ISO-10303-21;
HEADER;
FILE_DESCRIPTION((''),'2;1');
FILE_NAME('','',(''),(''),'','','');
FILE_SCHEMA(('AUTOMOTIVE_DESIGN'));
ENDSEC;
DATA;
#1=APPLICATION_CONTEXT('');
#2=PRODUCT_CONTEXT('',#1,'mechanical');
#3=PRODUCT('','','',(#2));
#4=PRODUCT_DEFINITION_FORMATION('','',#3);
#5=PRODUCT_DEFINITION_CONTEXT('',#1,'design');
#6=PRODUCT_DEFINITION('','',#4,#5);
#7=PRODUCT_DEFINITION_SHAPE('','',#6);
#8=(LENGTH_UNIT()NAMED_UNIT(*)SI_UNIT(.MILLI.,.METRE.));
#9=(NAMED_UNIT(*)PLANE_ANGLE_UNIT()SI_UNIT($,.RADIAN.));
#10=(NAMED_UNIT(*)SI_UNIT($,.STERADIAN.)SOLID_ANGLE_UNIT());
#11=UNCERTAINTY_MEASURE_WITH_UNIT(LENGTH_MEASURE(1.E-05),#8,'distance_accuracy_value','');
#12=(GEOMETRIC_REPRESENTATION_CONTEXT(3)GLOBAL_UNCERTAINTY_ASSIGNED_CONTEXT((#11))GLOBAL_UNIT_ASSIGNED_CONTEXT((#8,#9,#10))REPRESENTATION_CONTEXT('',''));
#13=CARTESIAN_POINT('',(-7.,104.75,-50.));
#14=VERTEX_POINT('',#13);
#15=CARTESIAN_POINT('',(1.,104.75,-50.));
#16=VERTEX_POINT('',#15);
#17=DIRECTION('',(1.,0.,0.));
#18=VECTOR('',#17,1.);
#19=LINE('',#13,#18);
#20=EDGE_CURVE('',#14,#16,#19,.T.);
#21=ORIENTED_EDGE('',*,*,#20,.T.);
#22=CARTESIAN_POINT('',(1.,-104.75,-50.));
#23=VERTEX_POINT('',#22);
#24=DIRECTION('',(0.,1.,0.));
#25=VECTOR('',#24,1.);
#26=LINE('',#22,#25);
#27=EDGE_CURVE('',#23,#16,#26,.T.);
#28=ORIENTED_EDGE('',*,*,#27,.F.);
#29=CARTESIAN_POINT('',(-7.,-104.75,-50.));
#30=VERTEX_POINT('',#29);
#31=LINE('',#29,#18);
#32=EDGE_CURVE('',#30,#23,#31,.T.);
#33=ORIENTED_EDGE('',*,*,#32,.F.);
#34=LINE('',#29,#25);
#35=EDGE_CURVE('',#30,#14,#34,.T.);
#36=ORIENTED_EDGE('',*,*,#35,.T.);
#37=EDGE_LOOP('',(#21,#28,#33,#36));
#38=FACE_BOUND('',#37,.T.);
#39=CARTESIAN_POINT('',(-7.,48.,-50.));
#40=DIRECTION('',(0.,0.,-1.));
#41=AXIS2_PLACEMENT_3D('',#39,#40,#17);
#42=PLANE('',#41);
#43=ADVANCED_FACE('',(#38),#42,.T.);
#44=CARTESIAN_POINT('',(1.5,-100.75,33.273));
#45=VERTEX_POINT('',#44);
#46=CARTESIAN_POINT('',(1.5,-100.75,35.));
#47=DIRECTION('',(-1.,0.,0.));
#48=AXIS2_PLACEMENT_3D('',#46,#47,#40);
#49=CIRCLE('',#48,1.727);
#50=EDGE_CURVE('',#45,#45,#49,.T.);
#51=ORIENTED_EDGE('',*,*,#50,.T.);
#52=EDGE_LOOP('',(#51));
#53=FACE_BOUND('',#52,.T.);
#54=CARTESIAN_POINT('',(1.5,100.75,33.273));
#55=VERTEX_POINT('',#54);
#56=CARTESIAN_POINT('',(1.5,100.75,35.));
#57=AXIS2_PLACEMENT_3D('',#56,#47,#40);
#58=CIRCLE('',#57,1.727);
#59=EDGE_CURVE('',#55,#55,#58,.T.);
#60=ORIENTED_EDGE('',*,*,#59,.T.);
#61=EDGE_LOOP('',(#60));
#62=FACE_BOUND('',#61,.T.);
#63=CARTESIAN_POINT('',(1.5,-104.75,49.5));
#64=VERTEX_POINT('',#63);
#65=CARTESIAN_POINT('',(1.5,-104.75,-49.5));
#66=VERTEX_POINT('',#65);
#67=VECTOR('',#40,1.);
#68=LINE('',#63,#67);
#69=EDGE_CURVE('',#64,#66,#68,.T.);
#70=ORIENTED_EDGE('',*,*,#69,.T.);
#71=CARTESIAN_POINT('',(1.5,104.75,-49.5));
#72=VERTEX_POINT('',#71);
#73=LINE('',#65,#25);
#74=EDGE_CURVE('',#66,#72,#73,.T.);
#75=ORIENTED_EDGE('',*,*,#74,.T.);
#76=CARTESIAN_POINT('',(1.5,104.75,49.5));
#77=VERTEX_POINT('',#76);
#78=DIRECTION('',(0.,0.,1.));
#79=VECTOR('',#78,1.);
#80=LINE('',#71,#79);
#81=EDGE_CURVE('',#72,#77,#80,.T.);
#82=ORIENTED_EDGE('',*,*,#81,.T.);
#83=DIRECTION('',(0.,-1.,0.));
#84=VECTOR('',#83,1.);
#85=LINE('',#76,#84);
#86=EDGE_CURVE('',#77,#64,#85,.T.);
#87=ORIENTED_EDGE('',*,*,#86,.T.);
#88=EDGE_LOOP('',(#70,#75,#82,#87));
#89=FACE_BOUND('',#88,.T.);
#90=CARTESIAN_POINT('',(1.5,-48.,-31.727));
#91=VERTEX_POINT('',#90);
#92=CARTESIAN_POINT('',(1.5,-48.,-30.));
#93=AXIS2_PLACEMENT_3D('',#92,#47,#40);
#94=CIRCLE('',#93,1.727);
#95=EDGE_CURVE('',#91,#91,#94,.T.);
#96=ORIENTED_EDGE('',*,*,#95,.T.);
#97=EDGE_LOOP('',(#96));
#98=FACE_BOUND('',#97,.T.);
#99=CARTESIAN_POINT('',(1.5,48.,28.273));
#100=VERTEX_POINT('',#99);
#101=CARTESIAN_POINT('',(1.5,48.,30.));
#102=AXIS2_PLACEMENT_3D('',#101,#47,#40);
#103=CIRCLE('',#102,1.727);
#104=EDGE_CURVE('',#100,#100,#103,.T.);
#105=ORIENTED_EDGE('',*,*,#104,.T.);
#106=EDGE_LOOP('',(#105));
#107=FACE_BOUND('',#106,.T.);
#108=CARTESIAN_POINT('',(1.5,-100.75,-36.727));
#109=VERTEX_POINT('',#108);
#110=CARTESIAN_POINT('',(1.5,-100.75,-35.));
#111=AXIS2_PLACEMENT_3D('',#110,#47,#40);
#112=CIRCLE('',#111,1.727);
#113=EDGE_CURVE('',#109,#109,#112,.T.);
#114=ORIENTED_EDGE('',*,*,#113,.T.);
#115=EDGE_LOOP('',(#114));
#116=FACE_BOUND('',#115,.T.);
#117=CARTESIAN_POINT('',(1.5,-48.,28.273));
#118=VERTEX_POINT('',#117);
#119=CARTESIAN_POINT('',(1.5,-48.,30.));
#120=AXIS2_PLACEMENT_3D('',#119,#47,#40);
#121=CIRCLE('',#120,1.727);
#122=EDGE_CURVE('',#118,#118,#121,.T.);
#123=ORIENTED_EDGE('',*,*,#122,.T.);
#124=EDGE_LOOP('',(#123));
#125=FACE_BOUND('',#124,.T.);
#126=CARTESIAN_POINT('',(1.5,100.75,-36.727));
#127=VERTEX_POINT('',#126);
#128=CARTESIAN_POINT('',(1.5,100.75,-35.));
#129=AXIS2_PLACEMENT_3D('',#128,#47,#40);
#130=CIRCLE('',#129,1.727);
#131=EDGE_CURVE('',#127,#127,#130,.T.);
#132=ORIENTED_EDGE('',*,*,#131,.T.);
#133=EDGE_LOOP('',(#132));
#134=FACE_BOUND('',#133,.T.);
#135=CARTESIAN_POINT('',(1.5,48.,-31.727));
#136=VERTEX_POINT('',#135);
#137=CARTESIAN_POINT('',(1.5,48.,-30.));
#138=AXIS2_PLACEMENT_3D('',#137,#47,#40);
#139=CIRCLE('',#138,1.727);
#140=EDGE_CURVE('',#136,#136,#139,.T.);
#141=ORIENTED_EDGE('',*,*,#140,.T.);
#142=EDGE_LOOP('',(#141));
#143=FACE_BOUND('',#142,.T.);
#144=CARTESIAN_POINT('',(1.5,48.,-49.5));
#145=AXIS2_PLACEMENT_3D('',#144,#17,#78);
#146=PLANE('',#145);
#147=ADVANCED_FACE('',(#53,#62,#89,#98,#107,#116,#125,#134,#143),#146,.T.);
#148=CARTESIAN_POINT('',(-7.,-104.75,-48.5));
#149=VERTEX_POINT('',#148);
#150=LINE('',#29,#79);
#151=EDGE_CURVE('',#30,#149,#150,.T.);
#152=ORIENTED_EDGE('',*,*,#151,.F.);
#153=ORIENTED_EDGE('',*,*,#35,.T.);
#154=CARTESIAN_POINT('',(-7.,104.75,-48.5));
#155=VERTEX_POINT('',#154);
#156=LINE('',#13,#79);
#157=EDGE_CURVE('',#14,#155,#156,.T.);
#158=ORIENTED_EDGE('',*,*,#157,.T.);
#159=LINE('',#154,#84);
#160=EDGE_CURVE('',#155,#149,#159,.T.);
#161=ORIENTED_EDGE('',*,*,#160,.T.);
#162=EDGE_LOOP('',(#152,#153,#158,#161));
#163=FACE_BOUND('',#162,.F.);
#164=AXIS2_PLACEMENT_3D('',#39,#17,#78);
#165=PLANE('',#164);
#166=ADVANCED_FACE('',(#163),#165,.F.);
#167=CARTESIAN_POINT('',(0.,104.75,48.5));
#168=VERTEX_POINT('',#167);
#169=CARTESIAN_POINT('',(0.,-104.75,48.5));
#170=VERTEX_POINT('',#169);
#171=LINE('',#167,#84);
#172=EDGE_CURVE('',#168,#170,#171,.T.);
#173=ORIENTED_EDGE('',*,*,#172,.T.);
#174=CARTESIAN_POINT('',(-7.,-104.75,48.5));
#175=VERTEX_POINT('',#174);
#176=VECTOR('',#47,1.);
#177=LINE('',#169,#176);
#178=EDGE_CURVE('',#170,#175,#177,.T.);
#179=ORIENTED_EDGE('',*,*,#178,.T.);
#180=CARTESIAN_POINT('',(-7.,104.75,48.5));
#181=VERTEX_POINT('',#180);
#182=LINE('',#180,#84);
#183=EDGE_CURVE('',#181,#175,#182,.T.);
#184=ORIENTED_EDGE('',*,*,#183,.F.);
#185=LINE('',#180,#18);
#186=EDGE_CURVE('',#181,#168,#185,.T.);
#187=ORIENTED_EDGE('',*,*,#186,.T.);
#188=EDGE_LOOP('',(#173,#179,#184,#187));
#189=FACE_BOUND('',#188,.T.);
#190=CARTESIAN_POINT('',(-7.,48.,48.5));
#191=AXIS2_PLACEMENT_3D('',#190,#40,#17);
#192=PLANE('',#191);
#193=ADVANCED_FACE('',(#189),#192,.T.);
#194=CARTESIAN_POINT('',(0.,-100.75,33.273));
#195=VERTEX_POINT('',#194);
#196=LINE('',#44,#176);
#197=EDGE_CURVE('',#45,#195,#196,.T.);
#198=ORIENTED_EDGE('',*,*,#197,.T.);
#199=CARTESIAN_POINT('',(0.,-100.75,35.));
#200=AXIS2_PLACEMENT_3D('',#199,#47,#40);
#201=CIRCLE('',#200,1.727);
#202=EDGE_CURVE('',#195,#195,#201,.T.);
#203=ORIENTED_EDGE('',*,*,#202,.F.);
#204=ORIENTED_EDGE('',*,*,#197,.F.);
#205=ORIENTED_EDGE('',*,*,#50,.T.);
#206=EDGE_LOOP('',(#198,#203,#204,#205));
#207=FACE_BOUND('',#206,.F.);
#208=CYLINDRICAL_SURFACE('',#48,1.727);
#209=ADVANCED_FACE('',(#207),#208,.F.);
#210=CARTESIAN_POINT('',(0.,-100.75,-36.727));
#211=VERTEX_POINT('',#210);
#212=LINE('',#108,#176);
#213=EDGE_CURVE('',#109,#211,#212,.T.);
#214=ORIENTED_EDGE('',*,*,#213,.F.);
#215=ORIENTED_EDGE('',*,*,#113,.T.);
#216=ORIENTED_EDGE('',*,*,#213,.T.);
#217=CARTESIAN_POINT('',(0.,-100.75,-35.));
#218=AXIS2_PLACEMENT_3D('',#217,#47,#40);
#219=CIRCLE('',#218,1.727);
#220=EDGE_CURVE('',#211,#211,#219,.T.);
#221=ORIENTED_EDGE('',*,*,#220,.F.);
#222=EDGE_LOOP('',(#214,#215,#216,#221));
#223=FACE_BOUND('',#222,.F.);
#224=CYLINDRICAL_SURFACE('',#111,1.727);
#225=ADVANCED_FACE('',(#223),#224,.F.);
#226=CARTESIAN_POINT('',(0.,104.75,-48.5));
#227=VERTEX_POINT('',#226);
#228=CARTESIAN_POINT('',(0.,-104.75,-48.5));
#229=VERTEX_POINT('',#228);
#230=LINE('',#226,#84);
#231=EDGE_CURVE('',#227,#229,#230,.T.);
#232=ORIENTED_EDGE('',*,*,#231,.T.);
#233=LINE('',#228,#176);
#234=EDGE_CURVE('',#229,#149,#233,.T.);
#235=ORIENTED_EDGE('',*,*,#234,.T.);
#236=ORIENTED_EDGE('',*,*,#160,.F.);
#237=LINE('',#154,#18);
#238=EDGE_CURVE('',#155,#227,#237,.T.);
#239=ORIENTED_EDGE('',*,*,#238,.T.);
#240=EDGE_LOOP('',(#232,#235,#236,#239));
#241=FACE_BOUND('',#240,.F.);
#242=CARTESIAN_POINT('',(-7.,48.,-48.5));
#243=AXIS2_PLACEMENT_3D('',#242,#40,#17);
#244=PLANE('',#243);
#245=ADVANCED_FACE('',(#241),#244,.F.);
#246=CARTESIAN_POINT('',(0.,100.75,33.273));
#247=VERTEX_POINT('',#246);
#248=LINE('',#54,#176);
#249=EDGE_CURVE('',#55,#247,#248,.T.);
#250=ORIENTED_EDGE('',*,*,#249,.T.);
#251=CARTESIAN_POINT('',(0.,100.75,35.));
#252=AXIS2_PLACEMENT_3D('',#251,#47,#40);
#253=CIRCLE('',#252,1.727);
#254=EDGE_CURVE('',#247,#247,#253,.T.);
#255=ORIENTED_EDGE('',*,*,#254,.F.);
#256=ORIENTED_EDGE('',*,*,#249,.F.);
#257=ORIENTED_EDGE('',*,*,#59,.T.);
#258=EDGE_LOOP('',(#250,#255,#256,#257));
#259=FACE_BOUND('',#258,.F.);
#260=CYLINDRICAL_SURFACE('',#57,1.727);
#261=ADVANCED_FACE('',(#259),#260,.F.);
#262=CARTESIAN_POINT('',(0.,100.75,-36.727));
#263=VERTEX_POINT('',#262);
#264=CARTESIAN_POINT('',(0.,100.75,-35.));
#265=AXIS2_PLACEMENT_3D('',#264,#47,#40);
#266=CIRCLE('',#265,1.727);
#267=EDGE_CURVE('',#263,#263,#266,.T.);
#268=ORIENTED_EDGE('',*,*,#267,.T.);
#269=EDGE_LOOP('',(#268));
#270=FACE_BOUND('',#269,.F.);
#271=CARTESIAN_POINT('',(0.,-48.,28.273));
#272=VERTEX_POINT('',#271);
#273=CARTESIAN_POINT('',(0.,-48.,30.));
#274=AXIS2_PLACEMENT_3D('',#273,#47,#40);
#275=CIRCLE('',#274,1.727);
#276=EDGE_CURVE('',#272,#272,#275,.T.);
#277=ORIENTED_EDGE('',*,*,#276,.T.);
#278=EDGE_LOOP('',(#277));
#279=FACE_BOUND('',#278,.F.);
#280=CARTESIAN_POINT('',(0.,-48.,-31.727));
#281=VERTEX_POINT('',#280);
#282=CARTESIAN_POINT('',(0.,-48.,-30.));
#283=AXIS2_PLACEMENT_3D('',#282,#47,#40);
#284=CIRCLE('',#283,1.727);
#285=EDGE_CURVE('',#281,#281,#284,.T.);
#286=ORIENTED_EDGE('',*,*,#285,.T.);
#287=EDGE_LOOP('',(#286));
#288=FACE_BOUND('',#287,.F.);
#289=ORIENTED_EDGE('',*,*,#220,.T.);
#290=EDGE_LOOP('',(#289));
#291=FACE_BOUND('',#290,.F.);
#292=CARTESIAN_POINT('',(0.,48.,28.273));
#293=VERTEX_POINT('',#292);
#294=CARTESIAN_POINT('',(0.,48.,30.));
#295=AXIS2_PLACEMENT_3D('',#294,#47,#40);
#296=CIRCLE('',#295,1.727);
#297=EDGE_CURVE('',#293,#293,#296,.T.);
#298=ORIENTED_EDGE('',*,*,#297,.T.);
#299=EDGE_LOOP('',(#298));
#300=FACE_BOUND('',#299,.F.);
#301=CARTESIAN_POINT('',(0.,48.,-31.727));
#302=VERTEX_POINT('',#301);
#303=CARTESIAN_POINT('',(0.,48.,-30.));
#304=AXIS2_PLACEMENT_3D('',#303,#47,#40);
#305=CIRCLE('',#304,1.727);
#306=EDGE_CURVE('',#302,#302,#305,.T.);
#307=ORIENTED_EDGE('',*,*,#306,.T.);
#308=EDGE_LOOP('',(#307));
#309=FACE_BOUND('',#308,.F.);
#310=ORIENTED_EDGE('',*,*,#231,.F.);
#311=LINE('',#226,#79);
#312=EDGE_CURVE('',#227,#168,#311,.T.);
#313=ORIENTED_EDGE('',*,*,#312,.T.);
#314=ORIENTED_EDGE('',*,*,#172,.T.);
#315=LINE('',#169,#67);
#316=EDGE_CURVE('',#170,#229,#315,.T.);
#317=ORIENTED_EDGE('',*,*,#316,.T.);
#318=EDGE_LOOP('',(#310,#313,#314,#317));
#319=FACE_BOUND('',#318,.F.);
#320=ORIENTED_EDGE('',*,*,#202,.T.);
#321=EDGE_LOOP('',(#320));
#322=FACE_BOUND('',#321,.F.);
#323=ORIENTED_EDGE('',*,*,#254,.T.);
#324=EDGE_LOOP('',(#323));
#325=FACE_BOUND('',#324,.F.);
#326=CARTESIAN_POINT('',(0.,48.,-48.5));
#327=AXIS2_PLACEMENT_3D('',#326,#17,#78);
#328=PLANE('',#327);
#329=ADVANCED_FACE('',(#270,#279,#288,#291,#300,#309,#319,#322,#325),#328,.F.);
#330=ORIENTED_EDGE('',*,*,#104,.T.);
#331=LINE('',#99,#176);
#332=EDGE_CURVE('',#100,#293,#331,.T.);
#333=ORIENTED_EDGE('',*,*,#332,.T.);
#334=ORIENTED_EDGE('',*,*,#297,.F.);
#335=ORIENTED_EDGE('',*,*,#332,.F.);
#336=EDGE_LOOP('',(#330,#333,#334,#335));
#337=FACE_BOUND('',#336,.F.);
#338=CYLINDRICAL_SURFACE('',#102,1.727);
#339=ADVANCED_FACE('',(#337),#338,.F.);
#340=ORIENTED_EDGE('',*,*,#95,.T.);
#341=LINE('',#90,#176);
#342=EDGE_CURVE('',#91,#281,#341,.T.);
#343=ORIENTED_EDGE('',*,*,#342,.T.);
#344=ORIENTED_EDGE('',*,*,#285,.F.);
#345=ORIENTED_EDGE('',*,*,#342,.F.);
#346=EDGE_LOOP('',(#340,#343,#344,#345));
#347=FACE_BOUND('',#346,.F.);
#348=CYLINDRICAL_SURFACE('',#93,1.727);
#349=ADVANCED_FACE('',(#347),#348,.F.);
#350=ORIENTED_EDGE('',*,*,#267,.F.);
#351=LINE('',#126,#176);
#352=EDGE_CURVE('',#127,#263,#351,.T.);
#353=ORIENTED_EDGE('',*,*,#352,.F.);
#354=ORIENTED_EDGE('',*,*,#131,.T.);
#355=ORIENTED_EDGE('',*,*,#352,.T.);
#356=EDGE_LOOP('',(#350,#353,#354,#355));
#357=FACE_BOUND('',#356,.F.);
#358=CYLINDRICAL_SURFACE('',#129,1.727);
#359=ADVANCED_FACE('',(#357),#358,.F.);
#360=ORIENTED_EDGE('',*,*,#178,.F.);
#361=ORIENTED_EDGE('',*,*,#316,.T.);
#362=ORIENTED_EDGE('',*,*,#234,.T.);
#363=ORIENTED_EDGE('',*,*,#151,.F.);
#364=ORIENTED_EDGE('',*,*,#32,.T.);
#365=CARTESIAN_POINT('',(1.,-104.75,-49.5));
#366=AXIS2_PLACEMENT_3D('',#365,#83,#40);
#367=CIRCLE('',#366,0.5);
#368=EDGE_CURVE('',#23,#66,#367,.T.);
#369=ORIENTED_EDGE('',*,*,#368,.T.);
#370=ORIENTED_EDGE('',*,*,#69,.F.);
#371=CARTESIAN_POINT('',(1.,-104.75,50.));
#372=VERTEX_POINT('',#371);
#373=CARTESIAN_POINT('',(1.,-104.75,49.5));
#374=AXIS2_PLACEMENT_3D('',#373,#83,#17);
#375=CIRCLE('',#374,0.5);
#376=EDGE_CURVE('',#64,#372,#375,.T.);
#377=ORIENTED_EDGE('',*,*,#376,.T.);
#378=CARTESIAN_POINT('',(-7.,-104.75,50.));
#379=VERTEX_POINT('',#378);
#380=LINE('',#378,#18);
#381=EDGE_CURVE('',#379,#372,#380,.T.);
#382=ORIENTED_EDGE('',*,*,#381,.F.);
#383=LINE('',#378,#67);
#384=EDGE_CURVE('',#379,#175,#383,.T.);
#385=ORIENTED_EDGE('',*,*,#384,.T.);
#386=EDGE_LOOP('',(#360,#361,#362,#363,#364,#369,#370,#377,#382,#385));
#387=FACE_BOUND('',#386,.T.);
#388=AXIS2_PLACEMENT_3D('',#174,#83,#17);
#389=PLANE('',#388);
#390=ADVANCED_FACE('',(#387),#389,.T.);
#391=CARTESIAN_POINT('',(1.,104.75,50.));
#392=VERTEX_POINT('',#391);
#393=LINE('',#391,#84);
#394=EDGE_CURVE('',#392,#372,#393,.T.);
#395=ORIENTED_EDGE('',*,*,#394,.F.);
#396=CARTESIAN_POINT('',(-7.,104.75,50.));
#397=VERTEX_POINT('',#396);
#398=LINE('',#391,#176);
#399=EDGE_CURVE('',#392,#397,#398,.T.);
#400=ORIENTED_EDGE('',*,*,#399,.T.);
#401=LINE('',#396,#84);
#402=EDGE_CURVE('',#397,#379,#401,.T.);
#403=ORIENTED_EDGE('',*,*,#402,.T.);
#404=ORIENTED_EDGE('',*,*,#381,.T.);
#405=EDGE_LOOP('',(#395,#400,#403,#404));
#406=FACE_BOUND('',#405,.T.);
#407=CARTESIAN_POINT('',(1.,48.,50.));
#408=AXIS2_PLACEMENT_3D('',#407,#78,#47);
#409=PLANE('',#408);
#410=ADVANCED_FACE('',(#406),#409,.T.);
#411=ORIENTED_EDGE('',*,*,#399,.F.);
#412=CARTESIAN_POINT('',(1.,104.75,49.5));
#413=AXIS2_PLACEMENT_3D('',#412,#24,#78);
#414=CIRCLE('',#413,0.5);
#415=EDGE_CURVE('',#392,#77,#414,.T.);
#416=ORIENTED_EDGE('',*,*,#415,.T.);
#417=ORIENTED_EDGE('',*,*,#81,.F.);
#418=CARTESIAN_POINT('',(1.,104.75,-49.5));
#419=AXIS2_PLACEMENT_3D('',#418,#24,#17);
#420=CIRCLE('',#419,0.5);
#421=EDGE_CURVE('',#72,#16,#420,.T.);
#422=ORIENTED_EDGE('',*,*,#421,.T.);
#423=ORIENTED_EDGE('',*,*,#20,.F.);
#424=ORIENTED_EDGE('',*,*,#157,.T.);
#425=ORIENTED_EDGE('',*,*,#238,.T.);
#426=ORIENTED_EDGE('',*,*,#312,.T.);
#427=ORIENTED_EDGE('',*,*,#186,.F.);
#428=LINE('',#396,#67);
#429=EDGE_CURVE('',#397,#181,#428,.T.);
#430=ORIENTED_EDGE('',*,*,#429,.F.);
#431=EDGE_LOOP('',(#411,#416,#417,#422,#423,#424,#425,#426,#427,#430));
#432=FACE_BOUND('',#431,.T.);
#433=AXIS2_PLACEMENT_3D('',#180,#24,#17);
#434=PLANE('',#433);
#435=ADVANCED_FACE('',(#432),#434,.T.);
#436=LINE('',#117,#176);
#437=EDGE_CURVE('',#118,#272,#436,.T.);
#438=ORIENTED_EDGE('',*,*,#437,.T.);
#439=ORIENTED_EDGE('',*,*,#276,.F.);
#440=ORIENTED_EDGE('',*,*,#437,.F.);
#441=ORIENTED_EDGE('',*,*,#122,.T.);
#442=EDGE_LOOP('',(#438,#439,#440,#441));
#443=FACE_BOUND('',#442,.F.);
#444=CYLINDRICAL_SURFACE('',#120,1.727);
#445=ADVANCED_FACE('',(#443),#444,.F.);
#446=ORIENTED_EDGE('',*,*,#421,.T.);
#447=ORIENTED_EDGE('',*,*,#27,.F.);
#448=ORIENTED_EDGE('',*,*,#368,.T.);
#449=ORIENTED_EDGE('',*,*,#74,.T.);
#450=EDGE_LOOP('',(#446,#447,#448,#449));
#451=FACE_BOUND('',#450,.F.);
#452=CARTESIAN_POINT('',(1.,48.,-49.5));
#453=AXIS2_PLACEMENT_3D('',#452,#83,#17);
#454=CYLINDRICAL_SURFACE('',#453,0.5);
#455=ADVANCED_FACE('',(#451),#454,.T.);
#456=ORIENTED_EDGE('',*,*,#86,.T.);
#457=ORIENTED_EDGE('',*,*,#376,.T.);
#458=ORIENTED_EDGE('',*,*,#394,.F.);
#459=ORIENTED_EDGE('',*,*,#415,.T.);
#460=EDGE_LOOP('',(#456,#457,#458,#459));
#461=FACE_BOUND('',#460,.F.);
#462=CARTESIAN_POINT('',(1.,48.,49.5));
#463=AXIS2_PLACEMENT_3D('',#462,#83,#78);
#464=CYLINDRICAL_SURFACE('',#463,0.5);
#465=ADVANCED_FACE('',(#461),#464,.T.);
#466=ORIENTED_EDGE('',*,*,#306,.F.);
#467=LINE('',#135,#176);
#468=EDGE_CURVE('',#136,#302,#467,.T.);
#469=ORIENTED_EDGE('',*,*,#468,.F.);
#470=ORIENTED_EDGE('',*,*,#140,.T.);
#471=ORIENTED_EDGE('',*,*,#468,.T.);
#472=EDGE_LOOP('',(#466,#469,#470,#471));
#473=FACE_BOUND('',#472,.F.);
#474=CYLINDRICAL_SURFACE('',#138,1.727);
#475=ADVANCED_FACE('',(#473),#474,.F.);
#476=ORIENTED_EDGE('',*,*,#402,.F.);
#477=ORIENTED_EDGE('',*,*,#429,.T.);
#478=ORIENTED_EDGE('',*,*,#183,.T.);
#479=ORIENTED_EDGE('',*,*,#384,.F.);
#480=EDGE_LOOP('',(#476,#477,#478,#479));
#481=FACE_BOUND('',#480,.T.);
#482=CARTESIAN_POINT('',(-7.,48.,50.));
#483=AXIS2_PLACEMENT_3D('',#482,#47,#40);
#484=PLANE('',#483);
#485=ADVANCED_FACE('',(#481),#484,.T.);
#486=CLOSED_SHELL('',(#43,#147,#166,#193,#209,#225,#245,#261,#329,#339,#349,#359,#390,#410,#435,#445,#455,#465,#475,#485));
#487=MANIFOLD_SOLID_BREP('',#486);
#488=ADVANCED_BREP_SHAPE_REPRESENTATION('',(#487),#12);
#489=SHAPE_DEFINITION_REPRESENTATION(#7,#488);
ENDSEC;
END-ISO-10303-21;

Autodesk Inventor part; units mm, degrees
ref_plane "YZ Plane" through (0, 0, 0) normal (1, 0, 0) x (0, 1, 0)
ref_plane "XZ Plane" through (0, 0, 0) normal (0, 1, 0) x (-1, 0, 0)
ref_plane "XY Plane" through (0, 0, 0) normal (0, 0, 1) x (1, 0, 0)
sketch "Sketch1" plane through (0, 0, 0) normal (1, 0, 0) x (0, 1, 0)
  line L0 (48, 50) -> (-48, 50)
  line L1 (-48, 50) -> (-48, -50)
  line L2 (-48, -50) -> (48, -50)
  line L3 (48, -50) -> (48, 50)
  point P0 (0, 0)
  dimension "d0" = 96
  dimension "d1" = 100
  dimension "d2" = 50
  dimension "d3" = 48
extrude "Extrusion1" add sketch "Sketch1" along normal blind 1.5
sketch "Sketch2" plane through (0, -48, 50) normal (0, 0, 1) x (1, 0, 0)
  line L0 (0, 96) -> (1.5, 96) projected
  line L1 (1.5, 96) -> (-7, 96)
  line L2 (-7, 96) -> (-7, 0)
  line L3 (-7, 0) -> (1.5, 0)
  line L4 (1.5, 0) -> (1.5, 96)
  point P0 (0, 48)
  dimension "d6" = 8.5
  dimension "d7" = 96
extrude "Extrusion2" add sketch "Sketch2" against normal blind 1.5
mirror "Mirror1" about plane through (0, 0, 0) normal (0, 0, 1) of "Extrusion2"
fillet "Fillet1" radius 0.5 2 edges at (1.5, 0, 50) (1.5, 0, -50)
sketch "Sketch9" plane through (-7, -48, 48.5) normal (0, -1, 0) x (1, 0, 0)
  arc A0 (8, -98.5) -> (8.5, -98) centre (8, -98) ccw projected
  line L0 (8.5, 1) -> (8.5, -98) projected
  arc A1 (8.5, 1) -> (8, 1.5) centre (8, 1) ccw projected
  line L1 (0, 1.5) -> (8, 1.5) projected
  line L2 (0, 1.5) -> (0, 0) projected
  line L3 (7, 0) -> (0, 0) projected
  line L4 (7, 0) -> (7, -97) projected
  line L5 (7, -97) -> (0, -97) projected
  line L6 (0, -98.5) -> (0, -97) projected
  line L7 (0, -98.5) -> (8, -98.5) projected
  point P0 (7, -48.5)
extrude "Extrusion6" add sketch "Sketch9" along normal blind 56.75
sketch "Sketch10" plane through (-7, 48, 48.5) normal (0, 1, 0) x (1, 0, 0)
  arc A0 (8.5, 98) -> (8, 98.5) centre (8, 98) ccw projected
  line L0 (0, 98.5) -> (8, 98.5) projected
  line L1 (0, 98.5) -> (0, 97) projected
  line L2 (0, 97) -> (7, 97) projected
  line L3 (7, 97) -> (7, 0) projected
  line L4 (0, 0) -> (7, 0) projected
  line L5 (0, -1.5) -> (0, 0) projected
  line L6 (8, -1.5) -> (0, -1.5) projected
  arc A1 (8, -1.5) -> (8.5, -1) centre (8, -1) ccw projected
  line L7 (8.5, 98) -> (8.5, -1) projected
  point P0 (7, 48.5)
extrude "Extrusion7" add sketch "Sketch10" along normal blind 56.75
sketch "Sketch11" plane through (1.5, 0, 0) normal (1, 0, 0) x (0, 0, -1)
  circle A0 centre (35, -100.75) radius 3 projected
  circle A1 centre (-35, -100.75) radius 3 projected
  circle A2 centre (-30, -48) radius 3 projected
  circle A3 centre (30, -48) radius 3 projected
  circle A4 centre (30, 48) radius 3 projected
  circle A5 centre (-30, 48) radius 3 projected
  circle A6 centre (35, 100.75) radius 3 projected
  circle A7 centre (-35, 100.75) radius 3 projected
  point P0 (0, 0)
hole "Hole5" at (1.5, -100.75, -35) at (1.5, -100.75, 35) at (1.5, -48, 30) at (1.5, -48, -30) at (1.5, 48, 30) at (1.5, 48, -30) at (1.5, 100.75, 35) at (1.5, 100.75, -35) direction (-1, 0, 0) diameter 3.454 end through all clearance for "Flat Head Machine Screw (82)" size "#4" standard "Ansi Unified Screw Threads"
equation "\"d2\" = 0.5 * d1"
equation "\"d3\" = 0.5 * d0"
properties part number "memesat shear panel type 1" material "Aluminum 6061"
